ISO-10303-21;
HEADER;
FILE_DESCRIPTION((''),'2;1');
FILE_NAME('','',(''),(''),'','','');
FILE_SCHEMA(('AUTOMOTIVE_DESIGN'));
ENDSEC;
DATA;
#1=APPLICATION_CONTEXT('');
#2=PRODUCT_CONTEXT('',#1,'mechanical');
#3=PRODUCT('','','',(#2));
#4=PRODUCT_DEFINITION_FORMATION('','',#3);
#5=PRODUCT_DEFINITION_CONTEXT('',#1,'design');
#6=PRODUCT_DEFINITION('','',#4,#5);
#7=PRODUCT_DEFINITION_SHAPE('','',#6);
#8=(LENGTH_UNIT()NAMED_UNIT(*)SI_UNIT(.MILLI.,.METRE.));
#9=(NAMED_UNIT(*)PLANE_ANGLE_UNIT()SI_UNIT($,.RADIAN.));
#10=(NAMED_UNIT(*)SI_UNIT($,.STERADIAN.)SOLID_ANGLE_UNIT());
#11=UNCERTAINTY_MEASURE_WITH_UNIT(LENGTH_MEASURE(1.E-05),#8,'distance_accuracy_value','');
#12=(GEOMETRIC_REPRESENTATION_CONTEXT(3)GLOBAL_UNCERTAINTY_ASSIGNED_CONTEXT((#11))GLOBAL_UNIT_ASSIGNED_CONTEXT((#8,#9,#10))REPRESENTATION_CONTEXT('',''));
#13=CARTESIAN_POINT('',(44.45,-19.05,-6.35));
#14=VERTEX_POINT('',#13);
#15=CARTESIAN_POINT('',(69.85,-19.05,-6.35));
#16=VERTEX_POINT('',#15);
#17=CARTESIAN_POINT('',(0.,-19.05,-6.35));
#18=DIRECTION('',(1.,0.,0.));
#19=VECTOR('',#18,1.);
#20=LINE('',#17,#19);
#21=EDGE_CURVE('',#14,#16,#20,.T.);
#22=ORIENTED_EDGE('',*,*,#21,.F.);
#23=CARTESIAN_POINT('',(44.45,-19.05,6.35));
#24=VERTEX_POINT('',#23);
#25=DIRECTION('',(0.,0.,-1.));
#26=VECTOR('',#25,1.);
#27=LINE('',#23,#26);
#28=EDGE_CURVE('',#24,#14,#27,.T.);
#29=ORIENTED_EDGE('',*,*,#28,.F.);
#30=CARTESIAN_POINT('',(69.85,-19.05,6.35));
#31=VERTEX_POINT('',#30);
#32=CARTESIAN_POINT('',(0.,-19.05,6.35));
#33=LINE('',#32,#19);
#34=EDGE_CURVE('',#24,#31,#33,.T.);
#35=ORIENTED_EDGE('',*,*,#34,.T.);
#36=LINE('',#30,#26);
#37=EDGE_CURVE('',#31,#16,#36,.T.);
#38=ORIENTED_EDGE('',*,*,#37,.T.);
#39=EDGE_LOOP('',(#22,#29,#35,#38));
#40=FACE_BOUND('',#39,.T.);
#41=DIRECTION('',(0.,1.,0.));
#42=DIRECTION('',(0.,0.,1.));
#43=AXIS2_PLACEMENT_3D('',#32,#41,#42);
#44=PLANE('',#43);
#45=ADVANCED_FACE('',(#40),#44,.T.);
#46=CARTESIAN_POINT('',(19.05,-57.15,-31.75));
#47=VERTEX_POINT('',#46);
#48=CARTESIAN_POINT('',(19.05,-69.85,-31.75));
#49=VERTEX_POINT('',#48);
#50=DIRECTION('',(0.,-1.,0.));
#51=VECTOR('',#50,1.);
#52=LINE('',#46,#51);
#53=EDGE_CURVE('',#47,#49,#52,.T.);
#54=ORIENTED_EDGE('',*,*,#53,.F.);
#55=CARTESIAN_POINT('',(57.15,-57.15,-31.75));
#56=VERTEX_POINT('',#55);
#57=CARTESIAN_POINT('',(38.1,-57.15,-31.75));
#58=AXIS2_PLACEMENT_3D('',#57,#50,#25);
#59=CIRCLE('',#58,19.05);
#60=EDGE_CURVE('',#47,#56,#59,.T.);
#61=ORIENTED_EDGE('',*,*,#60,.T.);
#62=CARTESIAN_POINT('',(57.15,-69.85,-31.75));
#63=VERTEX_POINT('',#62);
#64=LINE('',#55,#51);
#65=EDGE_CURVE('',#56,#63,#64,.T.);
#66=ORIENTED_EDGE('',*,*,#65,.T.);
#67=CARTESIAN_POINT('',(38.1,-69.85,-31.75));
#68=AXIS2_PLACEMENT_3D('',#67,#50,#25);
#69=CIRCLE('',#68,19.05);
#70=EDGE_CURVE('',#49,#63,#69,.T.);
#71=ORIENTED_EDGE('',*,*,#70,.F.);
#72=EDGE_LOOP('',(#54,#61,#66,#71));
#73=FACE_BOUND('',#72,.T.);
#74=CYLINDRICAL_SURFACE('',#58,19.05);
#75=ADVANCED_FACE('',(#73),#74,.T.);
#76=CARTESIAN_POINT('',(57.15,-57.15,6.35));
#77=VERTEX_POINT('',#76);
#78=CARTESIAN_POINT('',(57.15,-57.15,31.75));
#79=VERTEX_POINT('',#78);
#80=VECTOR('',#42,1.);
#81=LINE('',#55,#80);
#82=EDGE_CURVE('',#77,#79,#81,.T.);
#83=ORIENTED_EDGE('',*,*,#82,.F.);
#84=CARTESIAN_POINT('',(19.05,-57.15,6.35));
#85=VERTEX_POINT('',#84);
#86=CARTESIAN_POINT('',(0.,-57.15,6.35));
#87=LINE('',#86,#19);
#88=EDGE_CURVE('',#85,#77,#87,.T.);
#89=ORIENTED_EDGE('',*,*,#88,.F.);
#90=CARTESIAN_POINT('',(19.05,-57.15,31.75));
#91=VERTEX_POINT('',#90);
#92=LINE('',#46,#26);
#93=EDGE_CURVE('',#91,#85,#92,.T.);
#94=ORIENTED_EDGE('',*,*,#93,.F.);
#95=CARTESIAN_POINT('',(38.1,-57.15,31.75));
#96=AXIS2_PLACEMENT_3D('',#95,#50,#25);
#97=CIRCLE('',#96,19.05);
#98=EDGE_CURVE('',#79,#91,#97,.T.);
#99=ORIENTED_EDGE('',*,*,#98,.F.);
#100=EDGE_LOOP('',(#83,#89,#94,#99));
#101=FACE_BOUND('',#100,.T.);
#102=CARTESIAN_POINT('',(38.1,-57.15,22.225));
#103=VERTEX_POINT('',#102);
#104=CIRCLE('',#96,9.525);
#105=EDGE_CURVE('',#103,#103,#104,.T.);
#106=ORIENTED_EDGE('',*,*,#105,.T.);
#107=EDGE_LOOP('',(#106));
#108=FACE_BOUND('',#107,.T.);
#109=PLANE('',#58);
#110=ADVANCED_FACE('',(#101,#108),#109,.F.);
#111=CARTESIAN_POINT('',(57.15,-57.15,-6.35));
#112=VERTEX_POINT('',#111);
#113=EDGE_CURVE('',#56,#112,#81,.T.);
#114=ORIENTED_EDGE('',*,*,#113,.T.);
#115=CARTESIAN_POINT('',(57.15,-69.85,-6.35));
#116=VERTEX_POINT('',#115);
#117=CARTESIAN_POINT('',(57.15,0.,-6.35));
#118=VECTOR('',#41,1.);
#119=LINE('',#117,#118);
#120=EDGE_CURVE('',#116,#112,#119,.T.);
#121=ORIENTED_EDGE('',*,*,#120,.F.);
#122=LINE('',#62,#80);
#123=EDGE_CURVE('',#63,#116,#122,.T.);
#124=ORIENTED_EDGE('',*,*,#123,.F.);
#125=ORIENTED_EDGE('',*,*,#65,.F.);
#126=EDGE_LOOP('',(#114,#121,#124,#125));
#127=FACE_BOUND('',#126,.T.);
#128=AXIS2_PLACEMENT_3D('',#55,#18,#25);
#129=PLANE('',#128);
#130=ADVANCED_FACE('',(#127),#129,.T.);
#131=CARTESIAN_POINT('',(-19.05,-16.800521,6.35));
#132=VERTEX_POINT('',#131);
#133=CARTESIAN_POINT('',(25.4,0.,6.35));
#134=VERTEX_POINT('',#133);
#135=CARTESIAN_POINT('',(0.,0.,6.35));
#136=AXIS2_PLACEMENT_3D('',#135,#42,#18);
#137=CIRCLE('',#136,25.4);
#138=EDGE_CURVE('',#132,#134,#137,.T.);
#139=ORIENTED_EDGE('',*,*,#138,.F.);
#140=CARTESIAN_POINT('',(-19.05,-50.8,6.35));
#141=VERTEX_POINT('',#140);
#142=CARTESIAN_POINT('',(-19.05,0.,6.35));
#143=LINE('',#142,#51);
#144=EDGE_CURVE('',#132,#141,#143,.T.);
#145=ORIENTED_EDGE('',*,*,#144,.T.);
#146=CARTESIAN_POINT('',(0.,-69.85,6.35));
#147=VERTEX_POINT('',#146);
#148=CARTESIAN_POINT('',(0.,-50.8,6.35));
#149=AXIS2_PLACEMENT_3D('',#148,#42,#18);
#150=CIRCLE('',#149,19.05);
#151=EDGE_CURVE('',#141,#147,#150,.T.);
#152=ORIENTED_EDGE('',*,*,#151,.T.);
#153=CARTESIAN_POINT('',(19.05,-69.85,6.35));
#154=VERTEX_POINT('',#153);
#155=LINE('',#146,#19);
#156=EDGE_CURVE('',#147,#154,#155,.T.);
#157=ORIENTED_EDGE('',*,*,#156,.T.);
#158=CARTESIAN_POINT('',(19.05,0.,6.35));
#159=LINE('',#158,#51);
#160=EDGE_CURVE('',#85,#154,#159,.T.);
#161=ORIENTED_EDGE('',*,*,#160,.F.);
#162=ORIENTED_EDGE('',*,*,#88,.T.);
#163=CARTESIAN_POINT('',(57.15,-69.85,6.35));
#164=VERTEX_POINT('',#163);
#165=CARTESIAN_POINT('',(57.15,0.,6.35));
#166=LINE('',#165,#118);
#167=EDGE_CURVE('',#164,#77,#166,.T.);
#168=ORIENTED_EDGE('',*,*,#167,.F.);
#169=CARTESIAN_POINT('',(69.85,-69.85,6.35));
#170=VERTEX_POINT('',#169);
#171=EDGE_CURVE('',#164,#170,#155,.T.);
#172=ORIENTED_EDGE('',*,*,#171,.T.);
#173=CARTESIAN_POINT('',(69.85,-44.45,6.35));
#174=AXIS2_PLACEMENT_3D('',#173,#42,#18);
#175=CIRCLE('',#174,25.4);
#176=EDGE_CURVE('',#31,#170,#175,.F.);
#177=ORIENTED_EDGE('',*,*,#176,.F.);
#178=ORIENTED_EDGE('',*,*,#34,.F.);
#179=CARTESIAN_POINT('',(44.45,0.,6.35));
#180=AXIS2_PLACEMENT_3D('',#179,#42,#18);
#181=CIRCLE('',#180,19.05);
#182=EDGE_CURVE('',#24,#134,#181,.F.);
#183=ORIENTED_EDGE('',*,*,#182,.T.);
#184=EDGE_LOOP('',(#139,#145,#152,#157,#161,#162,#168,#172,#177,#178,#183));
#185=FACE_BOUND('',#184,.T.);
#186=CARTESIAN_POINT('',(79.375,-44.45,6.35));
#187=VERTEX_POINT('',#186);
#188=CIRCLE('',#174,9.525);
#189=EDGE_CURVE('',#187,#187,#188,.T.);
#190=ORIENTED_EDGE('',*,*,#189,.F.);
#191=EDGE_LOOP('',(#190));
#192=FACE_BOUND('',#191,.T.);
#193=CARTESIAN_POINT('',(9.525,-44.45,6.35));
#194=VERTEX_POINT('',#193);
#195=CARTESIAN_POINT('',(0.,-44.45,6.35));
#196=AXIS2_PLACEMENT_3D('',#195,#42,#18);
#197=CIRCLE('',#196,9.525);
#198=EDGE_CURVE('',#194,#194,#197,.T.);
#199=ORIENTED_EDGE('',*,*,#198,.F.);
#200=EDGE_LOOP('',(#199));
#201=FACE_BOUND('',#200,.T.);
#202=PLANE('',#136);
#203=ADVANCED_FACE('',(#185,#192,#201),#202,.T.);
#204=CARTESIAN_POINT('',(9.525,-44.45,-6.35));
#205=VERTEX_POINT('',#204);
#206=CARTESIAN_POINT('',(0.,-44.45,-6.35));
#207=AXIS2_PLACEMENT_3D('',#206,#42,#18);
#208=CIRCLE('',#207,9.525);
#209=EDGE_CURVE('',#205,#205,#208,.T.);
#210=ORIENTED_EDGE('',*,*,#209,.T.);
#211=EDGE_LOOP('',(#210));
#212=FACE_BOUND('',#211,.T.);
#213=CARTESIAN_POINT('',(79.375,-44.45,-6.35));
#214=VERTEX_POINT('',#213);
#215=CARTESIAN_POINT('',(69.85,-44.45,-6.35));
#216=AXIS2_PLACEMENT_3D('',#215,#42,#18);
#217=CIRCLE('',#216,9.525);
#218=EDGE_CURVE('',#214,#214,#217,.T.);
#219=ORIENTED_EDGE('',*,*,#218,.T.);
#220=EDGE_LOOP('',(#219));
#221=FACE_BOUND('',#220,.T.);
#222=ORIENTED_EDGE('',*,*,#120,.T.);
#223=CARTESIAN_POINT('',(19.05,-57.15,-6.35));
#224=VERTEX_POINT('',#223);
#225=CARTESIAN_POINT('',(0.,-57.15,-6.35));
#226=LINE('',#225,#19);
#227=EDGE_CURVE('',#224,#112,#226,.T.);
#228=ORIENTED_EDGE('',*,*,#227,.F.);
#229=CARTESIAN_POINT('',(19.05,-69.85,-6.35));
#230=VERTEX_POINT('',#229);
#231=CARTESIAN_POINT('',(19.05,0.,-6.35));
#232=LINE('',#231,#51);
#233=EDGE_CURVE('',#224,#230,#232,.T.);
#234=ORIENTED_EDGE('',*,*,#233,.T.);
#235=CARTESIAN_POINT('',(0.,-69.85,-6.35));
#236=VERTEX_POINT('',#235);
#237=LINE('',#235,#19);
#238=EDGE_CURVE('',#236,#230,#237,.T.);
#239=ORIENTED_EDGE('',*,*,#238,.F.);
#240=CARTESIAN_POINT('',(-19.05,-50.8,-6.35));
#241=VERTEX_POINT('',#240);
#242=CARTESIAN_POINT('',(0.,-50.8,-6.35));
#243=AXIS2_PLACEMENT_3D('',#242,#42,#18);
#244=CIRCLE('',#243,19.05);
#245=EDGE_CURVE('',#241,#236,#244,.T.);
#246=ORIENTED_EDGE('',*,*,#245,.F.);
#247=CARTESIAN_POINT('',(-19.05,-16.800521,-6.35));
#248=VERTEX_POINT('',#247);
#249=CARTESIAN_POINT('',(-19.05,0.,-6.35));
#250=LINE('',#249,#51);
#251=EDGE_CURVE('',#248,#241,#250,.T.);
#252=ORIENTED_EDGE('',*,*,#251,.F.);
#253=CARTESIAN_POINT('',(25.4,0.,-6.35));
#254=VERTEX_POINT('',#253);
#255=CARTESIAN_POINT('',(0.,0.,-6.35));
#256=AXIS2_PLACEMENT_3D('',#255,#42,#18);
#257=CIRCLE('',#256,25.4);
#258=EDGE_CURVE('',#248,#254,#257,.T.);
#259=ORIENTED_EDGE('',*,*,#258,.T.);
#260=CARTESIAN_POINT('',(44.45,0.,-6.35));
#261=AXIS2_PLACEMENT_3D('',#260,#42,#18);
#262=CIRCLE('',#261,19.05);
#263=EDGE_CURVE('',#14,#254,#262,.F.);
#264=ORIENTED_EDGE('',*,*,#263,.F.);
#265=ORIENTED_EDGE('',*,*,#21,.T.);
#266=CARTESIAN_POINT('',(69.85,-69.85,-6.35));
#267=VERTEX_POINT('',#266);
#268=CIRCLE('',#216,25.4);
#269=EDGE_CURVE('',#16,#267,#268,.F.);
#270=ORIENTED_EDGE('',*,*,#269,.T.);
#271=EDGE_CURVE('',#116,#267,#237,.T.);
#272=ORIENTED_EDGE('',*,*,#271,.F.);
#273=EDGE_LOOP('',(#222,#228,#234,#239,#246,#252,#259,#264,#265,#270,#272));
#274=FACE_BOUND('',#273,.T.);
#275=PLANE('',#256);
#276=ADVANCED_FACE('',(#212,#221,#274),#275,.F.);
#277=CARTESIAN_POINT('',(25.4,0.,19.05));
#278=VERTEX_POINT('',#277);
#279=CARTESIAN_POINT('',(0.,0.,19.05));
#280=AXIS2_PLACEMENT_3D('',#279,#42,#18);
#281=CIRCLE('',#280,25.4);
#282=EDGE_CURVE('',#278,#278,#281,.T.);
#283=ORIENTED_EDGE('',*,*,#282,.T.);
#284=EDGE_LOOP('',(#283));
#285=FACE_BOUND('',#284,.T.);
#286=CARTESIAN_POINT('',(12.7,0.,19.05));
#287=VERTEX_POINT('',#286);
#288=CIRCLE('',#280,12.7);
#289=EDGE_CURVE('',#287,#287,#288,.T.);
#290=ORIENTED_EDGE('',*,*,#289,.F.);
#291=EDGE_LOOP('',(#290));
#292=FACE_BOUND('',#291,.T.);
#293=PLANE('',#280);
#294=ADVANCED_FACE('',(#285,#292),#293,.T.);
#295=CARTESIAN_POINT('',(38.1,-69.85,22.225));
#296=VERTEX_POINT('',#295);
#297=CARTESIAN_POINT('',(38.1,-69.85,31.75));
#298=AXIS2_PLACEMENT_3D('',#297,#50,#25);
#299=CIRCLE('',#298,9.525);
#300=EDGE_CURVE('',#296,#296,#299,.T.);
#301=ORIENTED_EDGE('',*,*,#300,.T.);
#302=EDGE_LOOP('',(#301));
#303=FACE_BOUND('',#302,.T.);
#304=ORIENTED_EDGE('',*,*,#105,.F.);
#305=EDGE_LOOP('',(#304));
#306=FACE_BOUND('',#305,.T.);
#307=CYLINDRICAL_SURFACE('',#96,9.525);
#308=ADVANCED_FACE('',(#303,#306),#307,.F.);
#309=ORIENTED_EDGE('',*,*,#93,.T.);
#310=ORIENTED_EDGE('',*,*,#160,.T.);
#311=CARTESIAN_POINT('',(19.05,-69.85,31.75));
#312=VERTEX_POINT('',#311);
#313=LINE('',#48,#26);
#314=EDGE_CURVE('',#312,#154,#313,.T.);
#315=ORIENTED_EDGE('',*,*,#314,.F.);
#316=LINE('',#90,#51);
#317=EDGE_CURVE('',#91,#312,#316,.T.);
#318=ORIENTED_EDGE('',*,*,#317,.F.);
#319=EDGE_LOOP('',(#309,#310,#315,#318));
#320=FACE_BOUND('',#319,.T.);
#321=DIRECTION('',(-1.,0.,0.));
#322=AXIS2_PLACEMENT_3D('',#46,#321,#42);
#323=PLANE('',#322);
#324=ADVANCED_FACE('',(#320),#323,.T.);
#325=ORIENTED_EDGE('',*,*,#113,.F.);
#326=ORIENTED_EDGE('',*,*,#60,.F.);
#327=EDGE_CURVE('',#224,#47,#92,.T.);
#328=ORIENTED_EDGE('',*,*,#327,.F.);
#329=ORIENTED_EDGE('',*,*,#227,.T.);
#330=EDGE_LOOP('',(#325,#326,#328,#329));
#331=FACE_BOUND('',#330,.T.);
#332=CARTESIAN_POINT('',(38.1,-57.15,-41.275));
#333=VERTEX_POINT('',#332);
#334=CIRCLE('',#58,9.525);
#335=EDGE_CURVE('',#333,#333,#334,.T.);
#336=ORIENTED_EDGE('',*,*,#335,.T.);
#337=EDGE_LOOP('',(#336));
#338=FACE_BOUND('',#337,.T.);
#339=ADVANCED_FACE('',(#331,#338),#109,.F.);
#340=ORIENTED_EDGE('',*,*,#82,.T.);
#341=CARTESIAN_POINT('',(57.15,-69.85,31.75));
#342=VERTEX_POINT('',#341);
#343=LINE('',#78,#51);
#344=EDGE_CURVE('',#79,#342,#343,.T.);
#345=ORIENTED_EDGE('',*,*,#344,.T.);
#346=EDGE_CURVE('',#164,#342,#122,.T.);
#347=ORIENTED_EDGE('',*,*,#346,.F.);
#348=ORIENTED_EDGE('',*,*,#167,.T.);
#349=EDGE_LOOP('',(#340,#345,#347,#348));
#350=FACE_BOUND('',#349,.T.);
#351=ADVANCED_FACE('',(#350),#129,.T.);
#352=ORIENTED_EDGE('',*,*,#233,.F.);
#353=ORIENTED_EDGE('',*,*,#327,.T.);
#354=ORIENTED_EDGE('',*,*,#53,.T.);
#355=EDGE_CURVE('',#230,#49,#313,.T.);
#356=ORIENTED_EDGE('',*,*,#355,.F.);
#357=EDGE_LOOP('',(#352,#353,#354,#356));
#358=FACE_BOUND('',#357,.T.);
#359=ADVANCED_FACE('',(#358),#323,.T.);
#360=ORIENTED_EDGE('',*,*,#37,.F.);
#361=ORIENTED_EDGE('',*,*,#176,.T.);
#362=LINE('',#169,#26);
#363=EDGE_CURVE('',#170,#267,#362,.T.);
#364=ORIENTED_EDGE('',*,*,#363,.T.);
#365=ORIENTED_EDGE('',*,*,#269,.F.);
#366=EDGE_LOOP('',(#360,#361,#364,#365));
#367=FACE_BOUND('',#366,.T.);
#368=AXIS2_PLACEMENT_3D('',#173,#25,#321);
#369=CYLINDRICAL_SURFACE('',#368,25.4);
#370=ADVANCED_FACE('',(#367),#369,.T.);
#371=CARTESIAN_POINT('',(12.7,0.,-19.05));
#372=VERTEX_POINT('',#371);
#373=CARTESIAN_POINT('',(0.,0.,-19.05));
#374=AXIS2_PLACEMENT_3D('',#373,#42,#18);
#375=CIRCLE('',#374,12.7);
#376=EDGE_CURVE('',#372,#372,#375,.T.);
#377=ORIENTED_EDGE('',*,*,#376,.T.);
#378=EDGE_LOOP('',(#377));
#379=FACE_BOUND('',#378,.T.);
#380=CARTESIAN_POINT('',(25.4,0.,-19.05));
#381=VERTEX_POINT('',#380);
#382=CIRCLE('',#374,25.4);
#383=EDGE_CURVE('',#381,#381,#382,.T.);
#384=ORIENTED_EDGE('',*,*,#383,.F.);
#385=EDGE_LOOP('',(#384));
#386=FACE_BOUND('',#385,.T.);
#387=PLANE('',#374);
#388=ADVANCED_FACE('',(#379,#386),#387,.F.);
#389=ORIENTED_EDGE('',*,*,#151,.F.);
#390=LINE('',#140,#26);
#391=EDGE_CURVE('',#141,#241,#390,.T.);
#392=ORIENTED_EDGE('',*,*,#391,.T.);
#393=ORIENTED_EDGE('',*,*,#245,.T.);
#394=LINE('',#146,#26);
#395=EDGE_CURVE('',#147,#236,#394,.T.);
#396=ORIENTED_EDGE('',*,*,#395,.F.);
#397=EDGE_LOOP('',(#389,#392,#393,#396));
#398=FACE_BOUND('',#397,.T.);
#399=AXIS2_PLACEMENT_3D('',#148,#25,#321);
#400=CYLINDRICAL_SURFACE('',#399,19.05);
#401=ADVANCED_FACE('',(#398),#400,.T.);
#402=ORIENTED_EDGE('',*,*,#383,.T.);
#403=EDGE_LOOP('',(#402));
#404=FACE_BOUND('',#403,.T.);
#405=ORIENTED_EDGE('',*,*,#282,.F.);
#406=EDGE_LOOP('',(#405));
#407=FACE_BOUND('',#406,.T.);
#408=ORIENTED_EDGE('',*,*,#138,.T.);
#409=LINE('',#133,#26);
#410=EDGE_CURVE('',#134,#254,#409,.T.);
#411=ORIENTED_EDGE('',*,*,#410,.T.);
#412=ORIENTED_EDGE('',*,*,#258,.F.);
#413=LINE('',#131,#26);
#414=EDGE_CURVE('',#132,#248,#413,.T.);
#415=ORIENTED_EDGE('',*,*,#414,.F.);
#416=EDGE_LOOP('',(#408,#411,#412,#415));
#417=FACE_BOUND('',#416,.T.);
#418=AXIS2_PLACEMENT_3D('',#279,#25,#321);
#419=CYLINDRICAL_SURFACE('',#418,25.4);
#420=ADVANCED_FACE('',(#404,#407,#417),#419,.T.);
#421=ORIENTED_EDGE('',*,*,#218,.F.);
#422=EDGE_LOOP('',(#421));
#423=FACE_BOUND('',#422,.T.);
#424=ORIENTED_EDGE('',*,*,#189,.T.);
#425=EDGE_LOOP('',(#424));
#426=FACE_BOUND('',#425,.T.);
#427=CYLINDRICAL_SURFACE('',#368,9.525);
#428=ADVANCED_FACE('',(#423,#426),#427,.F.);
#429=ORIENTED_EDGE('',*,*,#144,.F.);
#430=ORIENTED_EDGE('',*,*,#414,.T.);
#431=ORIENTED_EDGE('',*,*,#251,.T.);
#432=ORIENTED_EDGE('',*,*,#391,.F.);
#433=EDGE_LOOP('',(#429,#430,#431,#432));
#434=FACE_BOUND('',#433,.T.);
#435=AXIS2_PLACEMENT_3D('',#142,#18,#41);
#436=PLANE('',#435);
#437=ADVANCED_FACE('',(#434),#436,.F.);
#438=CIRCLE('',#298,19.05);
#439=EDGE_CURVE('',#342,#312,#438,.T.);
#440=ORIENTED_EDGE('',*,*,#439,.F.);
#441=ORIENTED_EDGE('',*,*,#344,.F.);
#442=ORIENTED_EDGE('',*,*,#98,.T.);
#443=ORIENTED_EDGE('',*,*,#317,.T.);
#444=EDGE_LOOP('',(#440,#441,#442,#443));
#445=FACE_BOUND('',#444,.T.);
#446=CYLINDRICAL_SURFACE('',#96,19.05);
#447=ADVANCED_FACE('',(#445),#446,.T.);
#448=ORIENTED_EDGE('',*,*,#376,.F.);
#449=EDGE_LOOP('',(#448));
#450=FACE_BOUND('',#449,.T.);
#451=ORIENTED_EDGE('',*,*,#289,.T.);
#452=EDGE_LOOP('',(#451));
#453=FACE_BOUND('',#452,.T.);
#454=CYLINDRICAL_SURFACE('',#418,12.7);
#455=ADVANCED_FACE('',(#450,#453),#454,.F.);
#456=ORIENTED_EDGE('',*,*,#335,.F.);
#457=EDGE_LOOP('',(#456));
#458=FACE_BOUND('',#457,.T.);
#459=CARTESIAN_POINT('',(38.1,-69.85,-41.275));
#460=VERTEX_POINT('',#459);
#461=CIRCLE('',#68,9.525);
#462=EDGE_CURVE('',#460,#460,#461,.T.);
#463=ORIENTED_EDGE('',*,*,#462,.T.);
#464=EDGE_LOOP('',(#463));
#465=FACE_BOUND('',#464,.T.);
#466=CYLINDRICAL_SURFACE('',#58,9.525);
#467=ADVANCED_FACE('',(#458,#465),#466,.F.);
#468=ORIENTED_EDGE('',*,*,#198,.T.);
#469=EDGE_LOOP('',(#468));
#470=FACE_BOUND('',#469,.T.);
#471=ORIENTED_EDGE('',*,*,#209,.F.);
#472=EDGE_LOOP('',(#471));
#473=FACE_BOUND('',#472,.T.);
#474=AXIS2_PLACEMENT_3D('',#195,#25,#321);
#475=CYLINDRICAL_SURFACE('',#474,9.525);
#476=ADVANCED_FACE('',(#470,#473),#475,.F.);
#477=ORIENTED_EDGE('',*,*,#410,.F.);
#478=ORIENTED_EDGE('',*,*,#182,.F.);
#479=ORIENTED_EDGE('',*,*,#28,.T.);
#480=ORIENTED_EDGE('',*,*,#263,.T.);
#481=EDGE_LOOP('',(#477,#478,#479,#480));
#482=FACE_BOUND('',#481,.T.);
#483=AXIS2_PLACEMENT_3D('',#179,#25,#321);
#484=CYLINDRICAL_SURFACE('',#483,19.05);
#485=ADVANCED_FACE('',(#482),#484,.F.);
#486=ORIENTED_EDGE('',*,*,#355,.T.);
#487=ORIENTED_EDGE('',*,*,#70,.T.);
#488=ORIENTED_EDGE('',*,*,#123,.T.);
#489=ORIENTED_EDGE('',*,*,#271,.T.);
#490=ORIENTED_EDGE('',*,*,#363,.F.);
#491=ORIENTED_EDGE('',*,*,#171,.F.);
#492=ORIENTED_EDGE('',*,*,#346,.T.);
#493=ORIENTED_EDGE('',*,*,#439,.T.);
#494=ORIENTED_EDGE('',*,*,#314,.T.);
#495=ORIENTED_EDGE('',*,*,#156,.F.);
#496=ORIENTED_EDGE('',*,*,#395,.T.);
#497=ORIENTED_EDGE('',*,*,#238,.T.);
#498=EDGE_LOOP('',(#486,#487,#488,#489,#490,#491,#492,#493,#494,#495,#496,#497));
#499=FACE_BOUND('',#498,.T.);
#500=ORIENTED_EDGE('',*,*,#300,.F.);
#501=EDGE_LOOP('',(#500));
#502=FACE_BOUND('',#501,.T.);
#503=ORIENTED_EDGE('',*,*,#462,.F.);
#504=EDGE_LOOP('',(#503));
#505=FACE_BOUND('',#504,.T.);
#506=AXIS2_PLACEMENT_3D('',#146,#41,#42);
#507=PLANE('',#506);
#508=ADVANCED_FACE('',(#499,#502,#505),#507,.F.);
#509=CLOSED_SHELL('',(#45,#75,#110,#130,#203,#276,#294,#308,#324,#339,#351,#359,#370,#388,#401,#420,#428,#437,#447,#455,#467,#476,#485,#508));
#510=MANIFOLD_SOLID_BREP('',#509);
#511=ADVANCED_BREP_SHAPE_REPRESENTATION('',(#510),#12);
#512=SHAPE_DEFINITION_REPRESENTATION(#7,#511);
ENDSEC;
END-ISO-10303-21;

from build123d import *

# Parameters (mm, degrees)
SKETCH2_R           = 9.524999999999999
SKETCH2_R_2         = 9.524999999999993
BOSS_EXTRUDE1_DEPTH = 6.35
SKETCH2_3_R         = 12.7
BOSS_EXTRUDE2_DEPTH = 19.05
SKETCH3_R           = 9.525
BOSS_EXTRUDE3_DEPTH = 12.7


with BuildPart() as part:
    # Sketch2 → Boss-Extrude1 (new, symmetric)
    with BuildSketch(Plane.XY):
        with BuildLine():
            ThreePointArc((25.4, -6.22e-15), (8.980256121069143, -23.75952440601453), (-19.05000000000001, -16.80052082526014))
            Line((-19.050000000000008, -16.80052082526014), (-19.050000000000004, -50.799999999999855))
            ThreePointArc((-19.050000000000004, -50.79999999999986), (-13.470384181603738, -64.27038418160373), (1.3351e-13, -69.85))
            Line((1.3531e-13, -69.85), (69.85, -69.85))
            ThreePointArc((69.84999999999998, -69.85), (95.25, -44.45), (69.85, -19.05))
            Line((69.85, -19.049999999999997), (44.45, -19.049999999999997))
            ThreePointArc((44.45, -19.05), (30.979615818396276, -13.470384181603727), (25.4, 3.1e-16))
        make_face()
        with Locations((0, -44.449999999999996)):
            Circle(SKETCH2_R, mode=Mode.SUBTRACT)
        with Locations((69.85, -44.449999999999996)):
            Circle(SKETCH2_R_2, mode=Mode.SUBTRACT)
    extrude(amount=BOSS_EXTRUDE1_DEPTH, both=True)

    # Sketch2<3> → Boss-Extrude2 (add, symmetric)
    with BuildSketch(Plane.XY):
        with BuildLine():
            ThreePointArc((25.4, 0), (-8.980256121069145, 23.759524406014528), (-19.05000000000001, -16.80052082526014))
            ThreePointArc((-19.05000000000001, -16.80052082526014), (8.980256121069143, -23.75952440601453), (25.4, -6.22e-15))
        make_face()
        Circle(SKETCH2_3_R, mode=Mode.SUBTRACT)
    extrude(amount=BOSS_EXTRUDE2_DEPTH, both=True)

    # Sketch3 → Boss-Extrude3 (add)
    with BuildSketch(Plane.XZ.offset(69.85)):
        with BuildLine():
            Line((19.050000000000008, -31.75), (19.050000000000008, 31.75))
            ThreePointArc((19.050000000000008, 31.75), (38.10000000000001, 50.79999999999998), (57.14999999999999, 31.75))
            Line((57.14999999999999, 31.75), (57.14999999999999, -31.75))
            ThreePointArc((57.14999999999999, -31.75), (38.10000000000001, -50.8), (19.050000000000008, -31.75))
        make_face()
        with Locations((38.10000000000001, 31.75)):
            Circle(SKETCH3_R, mode=Mode.SUBTRACT)
        with Locations((38.10000000000001, -31.75)):
            Circle(SKETCH3_R, mode=Mode.SUBTRACT)
    extrude(amount=-BOSS_EXTRUDE3_DEPTH)


solid = part.part
